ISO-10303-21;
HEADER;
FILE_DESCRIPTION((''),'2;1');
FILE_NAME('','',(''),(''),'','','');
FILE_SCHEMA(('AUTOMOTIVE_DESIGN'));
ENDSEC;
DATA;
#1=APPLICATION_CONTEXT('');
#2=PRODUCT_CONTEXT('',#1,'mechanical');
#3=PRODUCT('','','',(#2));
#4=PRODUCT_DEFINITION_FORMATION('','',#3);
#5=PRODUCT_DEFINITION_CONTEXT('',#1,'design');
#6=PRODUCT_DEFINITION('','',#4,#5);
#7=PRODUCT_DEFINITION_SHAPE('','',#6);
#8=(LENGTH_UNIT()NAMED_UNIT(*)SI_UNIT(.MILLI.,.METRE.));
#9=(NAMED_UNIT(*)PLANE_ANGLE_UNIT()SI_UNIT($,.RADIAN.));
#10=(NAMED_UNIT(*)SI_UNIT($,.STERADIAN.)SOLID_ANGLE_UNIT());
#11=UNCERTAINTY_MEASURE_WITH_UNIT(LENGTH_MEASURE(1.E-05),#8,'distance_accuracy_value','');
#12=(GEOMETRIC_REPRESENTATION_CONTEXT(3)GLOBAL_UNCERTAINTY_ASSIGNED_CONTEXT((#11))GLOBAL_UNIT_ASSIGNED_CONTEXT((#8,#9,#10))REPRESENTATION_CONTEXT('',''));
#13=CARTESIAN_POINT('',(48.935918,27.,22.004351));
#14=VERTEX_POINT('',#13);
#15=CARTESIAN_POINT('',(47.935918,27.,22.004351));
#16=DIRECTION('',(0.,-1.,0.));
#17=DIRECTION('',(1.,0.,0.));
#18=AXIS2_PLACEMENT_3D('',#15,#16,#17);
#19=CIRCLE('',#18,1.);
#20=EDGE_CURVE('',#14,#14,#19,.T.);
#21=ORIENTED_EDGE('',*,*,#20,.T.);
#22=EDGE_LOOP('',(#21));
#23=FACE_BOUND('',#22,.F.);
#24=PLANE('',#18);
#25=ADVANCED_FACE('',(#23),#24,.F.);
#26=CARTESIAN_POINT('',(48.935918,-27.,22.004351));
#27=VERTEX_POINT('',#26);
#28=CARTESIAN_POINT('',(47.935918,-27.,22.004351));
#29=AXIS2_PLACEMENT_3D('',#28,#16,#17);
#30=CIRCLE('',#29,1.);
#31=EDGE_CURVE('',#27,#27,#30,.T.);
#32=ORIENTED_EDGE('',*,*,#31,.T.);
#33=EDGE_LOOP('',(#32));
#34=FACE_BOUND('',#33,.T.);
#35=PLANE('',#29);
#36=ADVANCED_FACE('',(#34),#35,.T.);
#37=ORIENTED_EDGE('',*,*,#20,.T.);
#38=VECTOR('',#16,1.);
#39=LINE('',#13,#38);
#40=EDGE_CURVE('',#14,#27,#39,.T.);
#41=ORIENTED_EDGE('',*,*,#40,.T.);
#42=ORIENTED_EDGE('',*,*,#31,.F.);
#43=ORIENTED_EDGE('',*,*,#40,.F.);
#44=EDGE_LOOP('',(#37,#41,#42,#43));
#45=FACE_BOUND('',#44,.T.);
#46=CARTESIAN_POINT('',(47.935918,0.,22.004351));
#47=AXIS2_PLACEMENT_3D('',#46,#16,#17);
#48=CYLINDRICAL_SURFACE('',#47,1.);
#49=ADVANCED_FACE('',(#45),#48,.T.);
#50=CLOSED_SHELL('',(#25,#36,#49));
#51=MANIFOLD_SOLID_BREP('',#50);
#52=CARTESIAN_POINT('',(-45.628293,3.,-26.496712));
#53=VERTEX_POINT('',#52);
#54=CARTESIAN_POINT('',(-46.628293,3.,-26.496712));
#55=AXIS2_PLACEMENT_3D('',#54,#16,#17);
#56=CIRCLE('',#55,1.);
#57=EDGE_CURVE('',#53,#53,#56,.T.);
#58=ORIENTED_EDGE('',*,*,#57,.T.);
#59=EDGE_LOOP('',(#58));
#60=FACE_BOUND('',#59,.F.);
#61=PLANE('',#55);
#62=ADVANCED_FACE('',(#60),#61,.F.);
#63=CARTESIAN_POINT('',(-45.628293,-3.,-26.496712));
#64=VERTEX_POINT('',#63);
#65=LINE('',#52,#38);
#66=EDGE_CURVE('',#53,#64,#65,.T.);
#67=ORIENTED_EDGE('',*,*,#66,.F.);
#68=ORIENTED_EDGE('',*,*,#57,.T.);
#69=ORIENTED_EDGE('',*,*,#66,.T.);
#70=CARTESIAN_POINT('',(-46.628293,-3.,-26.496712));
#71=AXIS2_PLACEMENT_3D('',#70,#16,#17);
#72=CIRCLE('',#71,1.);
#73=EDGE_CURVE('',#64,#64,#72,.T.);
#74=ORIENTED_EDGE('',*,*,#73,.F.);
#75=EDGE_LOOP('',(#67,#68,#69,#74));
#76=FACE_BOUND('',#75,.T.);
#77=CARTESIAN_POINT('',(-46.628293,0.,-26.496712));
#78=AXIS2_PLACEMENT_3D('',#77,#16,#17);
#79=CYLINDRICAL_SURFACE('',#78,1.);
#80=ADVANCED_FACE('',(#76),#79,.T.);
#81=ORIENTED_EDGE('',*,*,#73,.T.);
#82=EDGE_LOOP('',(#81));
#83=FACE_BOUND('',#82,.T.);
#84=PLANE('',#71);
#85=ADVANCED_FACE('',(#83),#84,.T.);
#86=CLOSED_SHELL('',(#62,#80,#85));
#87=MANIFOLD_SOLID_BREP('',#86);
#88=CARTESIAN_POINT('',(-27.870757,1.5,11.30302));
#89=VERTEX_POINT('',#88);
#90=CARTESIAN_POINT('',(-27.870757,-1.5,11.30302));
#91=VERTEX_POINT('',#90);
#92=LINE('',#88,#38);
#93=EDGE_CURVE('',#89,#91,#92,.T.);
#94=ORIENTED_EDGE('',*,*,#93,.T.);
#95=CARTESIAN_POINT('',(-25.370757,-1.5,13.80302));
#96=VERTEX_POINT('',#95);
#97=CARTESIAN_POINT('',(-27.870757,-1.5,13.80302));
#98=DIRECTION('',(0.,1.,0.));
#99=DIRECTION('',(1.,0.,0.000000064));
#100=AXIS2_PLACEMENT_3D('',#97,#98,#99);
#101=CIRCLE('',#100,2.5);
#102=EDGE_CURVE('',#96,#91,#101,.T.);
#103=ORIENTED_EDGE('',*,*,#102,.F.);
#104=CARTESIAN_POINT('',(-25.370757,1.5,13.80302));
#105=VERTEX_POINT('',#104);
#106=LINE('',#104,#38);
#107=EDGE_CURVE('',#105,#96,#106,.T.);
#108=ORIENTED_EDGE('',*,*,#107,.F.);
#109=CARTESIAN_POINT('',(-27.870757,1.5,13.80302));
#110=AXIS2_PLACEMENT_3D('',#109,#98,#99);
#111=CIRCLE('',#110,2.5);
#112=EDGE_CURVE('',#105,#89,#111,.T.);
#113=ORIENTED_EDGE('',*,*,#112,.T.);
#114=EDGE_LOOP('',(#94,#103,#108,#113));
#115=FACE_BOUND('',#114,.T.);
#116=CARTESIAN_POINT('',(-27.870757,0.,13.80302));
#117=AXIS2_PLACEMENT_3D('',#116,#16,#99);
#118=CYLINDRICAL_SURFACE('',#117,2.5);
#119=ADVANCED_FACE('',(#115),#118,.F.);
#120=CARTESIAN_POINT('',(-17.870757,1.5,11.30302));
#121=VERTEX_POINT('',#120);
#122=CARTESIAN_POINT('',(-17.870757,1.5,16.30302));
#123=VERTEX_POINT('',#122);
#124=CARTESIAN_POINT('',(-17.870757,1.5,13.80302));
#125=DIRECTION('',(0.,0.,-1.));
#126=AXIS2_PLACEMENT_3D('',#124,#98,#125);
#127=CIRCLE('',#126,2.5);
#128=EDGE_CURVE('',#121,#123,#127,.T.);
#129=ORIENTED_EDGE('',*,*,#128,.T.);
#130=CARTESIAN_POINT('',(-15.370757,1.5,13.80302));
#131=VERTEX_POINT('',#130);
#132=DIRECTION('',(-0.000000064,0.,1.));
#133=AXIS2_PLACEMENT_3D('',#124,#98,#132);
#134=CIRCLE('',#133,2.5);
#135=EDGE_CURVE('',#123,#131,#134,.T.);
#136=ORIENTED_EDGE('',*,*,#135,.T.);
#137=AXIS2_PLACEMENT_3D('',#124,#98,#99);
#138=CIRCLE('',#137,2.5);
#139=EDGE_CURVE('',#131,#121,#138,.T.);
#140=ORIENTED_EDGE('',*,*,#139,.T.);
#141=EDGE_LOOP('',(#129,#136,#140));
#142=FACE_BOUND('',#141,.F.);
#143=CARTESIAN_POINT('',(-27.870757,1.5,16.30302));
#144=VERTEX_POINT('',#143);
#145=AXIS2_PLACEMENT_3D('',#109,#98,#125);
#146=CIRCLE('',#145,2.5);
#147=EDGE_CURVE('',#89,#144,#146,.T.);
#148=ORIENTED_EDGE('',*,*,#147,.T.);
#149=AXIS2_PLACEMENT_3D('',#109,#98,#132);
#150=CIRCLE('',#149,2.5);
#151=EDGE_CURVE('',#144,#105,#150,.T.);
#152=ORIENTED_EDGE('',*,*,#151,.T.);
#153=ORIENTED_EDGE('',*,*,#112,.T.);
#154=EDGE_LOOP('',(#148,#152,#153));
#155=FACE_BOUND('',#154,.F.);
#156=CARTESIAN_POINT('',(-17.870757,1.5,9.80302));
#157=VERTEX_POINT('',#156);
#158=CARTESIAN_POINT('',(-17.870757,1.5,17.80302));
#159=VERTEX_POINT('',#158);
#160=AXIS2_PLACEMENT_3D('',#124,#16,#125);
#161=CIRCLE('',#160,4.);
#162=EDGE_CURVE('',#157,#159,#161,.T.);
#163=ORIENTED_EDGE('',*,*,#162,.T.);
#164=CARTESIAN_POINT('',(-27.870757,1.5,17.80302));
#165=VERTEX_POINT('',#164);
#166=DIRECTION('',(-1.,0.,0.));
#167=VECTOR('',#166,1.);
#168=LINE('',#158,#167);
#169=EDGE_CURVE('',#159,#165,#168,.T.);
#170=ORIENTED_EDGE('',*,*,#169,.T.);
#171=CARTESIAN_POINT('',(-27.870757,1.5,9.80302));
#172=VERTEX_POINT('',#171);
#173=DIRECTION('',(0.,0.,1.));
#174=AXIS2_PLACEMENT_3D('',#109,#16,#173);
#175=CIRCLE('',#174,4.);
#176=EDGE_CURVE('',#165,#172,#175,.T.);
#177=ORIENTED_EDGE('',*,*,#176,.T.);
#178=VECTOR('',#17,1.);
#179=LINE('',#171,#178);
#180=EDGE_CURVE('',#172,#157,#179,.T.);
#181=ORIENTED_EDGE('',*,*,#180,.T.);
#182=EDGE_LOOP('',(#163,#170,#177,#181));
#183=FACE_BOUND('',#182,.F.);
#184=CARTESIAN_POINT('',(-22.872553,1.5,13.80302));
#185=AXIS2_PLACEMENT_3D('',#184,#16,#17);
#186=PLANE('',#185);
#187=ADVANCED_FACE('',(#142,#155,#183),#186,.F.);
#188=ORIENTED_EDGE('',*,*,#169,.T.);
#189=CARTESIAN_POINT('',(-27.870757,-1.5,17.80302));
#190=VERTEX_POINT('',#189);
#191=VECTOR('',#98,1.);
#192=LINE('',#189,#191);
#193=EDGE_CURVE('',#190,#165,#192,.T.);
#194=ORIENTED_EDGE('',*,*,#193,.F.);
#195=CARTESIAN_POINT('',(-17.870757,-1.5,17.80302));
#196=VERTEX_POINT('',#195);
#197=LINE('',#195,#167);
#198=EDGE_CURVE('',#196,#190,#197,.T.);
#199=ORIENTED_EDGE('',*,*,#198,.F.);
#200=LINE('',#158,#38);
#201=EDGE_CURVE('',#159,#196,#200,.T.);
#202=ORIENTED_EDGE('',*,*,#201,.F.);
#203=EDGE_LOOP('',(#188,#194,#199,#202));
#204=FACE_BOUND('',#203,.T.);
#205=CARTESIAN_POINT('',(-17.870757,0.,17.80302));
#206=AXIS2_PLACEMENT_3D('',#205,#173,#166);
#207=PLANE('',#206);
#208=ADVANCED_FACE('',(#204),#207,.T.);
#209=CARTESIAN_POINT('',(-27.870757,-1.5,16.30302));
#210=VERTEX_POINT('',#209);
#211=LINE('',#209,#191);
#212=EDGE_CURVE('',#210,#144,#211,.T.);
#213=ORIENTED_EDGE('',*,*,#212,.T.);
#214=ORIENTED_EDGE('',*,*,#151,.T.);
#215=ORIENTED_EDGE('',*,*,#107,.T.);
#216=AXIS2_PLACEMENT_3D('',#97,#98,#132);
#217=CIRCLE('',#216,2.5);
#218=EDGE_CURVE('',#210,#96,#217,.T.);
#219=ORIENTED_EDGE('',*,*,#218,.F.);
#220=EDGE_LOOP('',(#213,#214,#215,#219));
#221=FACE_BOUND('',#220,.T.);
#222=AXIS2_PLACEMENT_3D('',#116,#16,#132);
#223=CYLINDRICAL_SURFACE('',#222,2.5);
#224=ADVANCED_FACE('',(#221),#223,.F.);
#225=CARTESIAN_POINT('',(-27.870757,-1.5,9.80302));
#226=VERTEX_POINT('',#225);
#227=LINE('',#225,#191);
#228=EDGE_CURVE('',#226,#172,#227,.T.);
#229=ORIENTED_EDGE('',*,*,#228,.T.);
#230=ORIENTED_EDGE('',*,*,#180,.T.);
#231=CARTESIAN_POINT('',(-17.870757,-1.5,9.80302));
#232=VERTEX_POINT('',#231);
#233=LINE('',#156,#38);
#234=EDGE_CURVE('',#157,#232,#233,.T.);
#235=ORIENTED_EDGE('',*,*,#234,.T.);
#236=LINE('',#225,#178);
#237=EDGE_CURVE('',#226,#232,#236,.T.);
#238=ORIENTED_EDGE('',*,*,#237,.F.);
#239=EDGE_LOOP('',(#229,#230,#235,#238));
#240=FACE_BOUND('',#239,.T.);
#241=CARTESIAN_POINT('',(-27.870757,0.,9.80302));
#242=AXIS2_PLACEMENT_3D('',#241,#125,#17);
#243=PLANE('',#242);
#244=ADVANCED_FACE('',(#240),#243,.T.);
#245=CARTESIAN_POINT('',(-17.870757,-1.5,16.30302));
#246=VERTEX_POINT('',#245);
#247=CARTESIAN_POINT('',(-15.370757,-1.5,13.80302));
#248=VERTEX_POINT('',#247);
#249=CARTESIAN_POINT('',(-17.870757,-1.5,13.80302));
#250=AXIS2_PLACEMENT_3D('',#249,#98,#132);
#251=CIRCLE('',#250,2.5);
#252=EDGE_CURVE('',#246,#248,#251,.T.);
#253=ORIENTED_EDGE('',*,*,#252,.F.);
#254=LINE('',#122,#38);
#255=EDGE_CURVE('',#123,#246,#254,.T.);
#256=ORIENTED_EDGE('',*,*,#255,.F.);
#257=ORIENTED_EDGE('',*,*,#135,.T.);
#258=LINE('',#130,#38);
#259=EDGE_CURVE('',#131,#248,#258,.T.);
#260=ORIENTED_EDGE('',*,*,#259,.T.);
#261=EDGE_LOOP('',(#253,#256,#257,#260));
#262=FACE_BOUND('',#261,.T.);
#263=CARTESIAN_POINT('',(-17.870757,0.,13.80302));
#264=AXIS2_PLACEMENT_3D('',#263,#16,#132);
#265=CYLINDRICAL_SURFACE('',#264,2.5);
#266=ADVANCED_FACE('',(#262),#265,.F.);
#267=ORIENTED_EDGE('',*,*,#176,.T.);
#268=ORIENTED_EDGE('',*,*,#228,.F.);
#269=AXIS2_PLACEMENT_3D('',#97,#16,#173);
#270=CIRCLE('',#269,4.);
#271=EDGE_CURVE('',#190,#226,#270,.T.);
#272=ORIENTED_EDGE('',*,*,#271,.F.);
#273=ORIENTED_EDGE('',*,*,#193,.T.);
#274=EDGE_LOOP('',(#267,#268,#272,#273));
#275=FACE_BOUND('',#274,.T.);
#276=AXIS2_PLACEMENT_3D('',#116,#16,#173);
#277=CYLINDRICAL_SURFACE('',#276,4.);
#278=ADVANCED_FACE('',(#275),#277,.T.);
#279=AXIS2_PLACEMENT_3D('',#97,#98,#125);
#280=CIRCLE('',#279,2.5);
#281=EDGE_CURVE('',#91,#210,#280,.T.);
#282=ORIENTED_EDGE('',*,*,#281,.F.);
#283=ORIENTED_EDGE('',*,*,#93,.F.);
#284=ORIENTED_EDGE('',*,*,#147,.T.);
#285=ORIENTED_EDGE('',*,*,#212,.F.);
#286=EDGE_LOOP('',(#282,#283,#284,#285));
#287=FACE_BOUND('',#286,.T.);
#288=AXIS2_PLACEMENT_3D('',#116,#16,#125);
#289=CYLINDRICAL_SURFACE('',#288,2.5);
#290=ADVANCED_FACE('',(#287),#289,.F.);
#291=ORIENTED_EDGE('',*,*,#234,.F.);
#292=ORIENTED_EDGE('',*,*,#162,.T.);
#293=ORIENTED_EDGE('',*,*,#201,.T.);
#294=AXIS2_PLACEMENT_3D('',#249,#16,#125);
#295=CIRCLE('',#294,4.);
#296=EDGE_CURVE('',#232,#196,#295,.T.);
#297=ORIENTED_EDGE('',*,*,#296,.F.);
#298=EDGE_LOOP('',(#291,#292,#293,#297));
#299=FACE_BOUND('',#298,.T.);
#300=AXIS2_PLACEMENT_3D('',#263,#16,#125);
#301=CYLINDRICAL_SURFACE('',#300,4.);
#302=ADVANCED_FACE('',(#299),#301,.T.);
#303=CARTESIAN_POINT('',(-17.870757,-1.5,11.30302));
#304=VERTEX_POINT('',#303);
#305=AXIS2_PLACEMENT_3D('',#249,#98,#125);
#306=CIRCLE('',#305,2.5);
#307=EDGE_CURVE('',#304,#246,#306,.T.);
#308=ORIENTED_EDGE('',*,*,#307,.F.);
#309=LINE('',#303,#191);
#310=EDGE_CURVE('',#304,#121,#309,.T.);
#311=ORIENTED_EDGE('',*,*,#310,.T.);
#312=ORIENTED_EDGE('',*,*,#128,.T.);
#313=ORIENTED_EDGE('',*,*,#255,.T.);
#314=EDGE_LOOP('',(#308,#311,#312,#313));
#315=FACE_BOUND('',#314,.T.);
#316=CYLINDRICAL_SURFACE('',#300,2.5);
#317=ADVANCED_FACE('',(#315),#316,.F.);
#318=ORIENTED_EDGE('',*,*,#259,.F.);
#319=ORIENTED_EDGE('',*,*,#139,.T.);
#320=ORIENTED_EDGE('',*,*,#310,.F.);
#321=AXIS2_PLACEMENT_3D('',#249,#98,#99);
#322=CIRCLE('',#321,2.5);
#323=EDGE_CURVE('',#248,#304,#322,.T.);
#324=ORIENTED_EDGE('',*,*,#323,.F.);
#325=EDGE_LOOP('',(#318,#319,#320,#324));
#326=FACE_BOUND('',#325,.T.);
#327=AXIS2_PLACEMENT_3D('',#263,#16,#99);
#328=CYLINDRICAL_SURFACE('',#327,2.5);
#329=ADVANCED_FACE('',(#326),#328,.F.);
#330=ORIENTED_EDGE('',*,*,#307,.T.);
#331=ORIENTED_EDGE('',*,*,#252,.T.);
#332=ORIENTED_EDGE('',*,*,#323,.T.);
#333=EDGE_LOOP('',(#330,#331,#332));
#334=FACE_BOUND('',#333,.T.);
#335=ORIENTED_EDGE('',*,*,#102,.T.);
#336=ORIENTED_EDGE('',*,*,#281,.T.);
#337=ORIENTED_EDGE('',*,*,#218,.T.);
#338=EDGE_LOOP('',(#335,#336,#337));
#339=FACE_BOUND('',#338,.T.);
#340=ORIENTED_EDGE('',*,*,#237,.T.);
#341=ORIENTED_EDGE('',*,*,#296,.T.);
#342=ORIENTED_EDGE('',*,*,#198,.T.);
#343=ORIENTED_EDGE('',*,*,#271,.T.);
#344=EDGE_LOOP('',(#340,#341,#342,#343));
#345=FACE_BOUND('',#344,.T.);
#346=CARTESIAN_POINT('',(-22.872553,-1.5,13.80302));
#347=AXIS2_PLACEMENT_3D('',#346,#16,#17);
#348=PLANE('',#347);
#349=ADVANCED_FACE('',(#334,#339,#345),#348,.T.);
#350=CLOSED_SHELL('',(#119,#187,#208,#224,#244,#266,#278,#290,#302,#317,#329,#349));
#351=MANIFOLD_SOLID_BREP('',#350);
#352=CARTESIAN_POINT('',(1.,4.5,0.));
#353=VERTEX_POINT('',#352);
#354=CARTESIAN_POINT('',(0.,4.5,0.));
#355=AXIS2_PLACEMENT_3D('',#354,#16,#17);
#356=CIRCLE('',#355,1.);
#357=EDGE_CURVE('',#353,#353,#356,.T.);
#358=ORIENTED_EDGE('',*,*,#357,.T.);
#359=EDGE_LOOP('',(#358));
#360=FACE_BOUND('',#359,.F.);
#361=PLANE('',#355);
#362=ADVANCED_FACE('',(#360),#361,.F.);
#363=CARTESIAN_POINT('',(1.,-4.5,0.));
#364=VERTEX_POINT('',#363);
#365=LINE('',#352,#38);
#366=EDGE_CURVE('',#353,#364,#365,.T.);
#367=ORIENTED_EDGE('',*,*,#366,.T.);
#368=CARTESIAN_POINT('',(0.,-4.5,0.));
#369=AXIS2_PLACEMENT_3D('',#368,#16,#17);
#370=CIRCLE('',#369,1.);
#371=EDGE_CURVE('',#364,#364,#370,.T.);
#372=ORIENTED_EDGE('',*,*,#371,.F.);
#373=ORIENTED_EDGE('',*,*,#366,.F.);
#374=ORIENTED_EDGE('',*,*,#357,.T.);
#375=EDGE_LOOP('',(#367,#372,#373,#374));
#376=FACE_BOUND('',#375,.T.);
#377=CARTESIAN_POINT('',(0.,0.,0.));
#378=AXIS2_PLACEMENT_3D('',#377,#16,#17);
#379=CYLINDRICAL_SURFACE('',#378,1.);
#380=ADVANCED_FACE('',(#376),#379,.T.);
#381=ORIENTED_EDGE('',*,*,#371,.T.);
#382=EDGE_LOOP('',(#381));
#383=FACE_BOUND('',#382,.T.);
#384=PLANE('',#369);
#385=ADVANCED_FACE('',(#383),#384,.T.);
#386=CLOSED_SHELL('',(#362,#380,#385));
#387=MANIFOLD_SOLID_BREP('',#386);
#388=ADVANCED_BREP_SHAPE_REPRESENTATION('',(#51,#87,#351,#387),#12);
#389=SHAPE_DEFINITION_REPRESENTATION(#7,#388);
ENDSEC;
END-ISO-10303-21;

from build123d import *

# Parameters (mm, degrees)
F1_DEPTH = 1.5
F2_R     = 1
F3_DEPTH = 4.5
F4_R     = 1
F5_DEPTH = 27
F6_R     = 1
F7_DEPTH = 3


with BuildPart() as f1:
    # F0 (on Front) → F1 (new body, symmetric)
    with BuildSketch(Plane.XZ):
        with BuildLine():
            Line((-27.870757, 11.30302), (-27.870757, 9.80302))
            Line((-27.870757, 9.80302), (-17.870757, 9.80302))
            Line((-17.870757, 9.80302), (-17.870757, 11.30302))
            ThreePointArc((-17.870757, 11.30302), (-20.370757, 13.80302), (-17.870757, 16.30302))
            Line((-17.870757, 16.30302), (-17.870757, 17.80302))
            Line((-17.870757, 17.80302), (-27.870757, 17.80302))
            Line((-27.870757, 17.80302), (-27.870757, 16.30302))
            ThreePointArc((-27.870757, 16.30302), (-26.10299, 15.570787), (-25.370757, 13.80302))
            ThreePointArc((-25.370757, 13.80302), (-26.10299, 12.035253), (-27.870757, 11.30302))
        make_face()
        with BuildLine():
            Line((-17.870757, 11.30302), (-17.870757, 9.80302))
            ThreePointArc((-17.870757, 9.80302), (-13.870757, 13.80302), (-17.870757, 17.80302))
            Line((-17.870757, 17.80302), (-17.870757, 16.30302))
            ThreePointArc((-17.870757, 16.30302), (-16.10299, 15.570787), (-15.370757, 13.80302))
            ThreePointArc((-15.370757, 13.80302), (-16.10299, 12.035253), (-17.870757, 11.30302))
        make_face()
        with BuildLine():
            ThreePointArc((-27.870757, 17.80302), (-31.870757, 13.80302), (-27.870757, 9.80302))
            Line((-27.870757, 9.80302), (-27.870757, 11.30302))
            ThreePointArc((-27.870757, 11.30302), (-30.370757, 13.80302), (-27.870757, 16.30302))
            Line((-27.870757, 16.30302), (-27.870757, 17.80302))
        make_face()
    extrude(amount=F1_DEPTH, both=True)


with BuildPart() as f3:
    # F2 (on Front) → F3 (new body, symmetric)
    with BuildSketch(Plane.XZ):
        Circle(F2_R)
    extrude(amount=F3_DEPTH, both=True)


with BuildPart() as f5:
    # F4 (on Front) → F5 (new body, symmetric)
    with BuildSketch(Plane.XZ):
        with Locations((47.935918, 22.004351)):
            Circle(F4_R)
    extrude(amount=F5_DEPTH, both=True)


with BuildPart() as f7:
    # F6 (on Front) → F7 (new body, symmetric)
    with BuildSketch(Plane.XZ):
        with Locations((-46.628293, -26.496712)):
            Circle(F6_R)
    extrude(amount=F7_DEPTH, both=True)


solid = Compound([f1.part, f3.part, f5.part, f7.part])
